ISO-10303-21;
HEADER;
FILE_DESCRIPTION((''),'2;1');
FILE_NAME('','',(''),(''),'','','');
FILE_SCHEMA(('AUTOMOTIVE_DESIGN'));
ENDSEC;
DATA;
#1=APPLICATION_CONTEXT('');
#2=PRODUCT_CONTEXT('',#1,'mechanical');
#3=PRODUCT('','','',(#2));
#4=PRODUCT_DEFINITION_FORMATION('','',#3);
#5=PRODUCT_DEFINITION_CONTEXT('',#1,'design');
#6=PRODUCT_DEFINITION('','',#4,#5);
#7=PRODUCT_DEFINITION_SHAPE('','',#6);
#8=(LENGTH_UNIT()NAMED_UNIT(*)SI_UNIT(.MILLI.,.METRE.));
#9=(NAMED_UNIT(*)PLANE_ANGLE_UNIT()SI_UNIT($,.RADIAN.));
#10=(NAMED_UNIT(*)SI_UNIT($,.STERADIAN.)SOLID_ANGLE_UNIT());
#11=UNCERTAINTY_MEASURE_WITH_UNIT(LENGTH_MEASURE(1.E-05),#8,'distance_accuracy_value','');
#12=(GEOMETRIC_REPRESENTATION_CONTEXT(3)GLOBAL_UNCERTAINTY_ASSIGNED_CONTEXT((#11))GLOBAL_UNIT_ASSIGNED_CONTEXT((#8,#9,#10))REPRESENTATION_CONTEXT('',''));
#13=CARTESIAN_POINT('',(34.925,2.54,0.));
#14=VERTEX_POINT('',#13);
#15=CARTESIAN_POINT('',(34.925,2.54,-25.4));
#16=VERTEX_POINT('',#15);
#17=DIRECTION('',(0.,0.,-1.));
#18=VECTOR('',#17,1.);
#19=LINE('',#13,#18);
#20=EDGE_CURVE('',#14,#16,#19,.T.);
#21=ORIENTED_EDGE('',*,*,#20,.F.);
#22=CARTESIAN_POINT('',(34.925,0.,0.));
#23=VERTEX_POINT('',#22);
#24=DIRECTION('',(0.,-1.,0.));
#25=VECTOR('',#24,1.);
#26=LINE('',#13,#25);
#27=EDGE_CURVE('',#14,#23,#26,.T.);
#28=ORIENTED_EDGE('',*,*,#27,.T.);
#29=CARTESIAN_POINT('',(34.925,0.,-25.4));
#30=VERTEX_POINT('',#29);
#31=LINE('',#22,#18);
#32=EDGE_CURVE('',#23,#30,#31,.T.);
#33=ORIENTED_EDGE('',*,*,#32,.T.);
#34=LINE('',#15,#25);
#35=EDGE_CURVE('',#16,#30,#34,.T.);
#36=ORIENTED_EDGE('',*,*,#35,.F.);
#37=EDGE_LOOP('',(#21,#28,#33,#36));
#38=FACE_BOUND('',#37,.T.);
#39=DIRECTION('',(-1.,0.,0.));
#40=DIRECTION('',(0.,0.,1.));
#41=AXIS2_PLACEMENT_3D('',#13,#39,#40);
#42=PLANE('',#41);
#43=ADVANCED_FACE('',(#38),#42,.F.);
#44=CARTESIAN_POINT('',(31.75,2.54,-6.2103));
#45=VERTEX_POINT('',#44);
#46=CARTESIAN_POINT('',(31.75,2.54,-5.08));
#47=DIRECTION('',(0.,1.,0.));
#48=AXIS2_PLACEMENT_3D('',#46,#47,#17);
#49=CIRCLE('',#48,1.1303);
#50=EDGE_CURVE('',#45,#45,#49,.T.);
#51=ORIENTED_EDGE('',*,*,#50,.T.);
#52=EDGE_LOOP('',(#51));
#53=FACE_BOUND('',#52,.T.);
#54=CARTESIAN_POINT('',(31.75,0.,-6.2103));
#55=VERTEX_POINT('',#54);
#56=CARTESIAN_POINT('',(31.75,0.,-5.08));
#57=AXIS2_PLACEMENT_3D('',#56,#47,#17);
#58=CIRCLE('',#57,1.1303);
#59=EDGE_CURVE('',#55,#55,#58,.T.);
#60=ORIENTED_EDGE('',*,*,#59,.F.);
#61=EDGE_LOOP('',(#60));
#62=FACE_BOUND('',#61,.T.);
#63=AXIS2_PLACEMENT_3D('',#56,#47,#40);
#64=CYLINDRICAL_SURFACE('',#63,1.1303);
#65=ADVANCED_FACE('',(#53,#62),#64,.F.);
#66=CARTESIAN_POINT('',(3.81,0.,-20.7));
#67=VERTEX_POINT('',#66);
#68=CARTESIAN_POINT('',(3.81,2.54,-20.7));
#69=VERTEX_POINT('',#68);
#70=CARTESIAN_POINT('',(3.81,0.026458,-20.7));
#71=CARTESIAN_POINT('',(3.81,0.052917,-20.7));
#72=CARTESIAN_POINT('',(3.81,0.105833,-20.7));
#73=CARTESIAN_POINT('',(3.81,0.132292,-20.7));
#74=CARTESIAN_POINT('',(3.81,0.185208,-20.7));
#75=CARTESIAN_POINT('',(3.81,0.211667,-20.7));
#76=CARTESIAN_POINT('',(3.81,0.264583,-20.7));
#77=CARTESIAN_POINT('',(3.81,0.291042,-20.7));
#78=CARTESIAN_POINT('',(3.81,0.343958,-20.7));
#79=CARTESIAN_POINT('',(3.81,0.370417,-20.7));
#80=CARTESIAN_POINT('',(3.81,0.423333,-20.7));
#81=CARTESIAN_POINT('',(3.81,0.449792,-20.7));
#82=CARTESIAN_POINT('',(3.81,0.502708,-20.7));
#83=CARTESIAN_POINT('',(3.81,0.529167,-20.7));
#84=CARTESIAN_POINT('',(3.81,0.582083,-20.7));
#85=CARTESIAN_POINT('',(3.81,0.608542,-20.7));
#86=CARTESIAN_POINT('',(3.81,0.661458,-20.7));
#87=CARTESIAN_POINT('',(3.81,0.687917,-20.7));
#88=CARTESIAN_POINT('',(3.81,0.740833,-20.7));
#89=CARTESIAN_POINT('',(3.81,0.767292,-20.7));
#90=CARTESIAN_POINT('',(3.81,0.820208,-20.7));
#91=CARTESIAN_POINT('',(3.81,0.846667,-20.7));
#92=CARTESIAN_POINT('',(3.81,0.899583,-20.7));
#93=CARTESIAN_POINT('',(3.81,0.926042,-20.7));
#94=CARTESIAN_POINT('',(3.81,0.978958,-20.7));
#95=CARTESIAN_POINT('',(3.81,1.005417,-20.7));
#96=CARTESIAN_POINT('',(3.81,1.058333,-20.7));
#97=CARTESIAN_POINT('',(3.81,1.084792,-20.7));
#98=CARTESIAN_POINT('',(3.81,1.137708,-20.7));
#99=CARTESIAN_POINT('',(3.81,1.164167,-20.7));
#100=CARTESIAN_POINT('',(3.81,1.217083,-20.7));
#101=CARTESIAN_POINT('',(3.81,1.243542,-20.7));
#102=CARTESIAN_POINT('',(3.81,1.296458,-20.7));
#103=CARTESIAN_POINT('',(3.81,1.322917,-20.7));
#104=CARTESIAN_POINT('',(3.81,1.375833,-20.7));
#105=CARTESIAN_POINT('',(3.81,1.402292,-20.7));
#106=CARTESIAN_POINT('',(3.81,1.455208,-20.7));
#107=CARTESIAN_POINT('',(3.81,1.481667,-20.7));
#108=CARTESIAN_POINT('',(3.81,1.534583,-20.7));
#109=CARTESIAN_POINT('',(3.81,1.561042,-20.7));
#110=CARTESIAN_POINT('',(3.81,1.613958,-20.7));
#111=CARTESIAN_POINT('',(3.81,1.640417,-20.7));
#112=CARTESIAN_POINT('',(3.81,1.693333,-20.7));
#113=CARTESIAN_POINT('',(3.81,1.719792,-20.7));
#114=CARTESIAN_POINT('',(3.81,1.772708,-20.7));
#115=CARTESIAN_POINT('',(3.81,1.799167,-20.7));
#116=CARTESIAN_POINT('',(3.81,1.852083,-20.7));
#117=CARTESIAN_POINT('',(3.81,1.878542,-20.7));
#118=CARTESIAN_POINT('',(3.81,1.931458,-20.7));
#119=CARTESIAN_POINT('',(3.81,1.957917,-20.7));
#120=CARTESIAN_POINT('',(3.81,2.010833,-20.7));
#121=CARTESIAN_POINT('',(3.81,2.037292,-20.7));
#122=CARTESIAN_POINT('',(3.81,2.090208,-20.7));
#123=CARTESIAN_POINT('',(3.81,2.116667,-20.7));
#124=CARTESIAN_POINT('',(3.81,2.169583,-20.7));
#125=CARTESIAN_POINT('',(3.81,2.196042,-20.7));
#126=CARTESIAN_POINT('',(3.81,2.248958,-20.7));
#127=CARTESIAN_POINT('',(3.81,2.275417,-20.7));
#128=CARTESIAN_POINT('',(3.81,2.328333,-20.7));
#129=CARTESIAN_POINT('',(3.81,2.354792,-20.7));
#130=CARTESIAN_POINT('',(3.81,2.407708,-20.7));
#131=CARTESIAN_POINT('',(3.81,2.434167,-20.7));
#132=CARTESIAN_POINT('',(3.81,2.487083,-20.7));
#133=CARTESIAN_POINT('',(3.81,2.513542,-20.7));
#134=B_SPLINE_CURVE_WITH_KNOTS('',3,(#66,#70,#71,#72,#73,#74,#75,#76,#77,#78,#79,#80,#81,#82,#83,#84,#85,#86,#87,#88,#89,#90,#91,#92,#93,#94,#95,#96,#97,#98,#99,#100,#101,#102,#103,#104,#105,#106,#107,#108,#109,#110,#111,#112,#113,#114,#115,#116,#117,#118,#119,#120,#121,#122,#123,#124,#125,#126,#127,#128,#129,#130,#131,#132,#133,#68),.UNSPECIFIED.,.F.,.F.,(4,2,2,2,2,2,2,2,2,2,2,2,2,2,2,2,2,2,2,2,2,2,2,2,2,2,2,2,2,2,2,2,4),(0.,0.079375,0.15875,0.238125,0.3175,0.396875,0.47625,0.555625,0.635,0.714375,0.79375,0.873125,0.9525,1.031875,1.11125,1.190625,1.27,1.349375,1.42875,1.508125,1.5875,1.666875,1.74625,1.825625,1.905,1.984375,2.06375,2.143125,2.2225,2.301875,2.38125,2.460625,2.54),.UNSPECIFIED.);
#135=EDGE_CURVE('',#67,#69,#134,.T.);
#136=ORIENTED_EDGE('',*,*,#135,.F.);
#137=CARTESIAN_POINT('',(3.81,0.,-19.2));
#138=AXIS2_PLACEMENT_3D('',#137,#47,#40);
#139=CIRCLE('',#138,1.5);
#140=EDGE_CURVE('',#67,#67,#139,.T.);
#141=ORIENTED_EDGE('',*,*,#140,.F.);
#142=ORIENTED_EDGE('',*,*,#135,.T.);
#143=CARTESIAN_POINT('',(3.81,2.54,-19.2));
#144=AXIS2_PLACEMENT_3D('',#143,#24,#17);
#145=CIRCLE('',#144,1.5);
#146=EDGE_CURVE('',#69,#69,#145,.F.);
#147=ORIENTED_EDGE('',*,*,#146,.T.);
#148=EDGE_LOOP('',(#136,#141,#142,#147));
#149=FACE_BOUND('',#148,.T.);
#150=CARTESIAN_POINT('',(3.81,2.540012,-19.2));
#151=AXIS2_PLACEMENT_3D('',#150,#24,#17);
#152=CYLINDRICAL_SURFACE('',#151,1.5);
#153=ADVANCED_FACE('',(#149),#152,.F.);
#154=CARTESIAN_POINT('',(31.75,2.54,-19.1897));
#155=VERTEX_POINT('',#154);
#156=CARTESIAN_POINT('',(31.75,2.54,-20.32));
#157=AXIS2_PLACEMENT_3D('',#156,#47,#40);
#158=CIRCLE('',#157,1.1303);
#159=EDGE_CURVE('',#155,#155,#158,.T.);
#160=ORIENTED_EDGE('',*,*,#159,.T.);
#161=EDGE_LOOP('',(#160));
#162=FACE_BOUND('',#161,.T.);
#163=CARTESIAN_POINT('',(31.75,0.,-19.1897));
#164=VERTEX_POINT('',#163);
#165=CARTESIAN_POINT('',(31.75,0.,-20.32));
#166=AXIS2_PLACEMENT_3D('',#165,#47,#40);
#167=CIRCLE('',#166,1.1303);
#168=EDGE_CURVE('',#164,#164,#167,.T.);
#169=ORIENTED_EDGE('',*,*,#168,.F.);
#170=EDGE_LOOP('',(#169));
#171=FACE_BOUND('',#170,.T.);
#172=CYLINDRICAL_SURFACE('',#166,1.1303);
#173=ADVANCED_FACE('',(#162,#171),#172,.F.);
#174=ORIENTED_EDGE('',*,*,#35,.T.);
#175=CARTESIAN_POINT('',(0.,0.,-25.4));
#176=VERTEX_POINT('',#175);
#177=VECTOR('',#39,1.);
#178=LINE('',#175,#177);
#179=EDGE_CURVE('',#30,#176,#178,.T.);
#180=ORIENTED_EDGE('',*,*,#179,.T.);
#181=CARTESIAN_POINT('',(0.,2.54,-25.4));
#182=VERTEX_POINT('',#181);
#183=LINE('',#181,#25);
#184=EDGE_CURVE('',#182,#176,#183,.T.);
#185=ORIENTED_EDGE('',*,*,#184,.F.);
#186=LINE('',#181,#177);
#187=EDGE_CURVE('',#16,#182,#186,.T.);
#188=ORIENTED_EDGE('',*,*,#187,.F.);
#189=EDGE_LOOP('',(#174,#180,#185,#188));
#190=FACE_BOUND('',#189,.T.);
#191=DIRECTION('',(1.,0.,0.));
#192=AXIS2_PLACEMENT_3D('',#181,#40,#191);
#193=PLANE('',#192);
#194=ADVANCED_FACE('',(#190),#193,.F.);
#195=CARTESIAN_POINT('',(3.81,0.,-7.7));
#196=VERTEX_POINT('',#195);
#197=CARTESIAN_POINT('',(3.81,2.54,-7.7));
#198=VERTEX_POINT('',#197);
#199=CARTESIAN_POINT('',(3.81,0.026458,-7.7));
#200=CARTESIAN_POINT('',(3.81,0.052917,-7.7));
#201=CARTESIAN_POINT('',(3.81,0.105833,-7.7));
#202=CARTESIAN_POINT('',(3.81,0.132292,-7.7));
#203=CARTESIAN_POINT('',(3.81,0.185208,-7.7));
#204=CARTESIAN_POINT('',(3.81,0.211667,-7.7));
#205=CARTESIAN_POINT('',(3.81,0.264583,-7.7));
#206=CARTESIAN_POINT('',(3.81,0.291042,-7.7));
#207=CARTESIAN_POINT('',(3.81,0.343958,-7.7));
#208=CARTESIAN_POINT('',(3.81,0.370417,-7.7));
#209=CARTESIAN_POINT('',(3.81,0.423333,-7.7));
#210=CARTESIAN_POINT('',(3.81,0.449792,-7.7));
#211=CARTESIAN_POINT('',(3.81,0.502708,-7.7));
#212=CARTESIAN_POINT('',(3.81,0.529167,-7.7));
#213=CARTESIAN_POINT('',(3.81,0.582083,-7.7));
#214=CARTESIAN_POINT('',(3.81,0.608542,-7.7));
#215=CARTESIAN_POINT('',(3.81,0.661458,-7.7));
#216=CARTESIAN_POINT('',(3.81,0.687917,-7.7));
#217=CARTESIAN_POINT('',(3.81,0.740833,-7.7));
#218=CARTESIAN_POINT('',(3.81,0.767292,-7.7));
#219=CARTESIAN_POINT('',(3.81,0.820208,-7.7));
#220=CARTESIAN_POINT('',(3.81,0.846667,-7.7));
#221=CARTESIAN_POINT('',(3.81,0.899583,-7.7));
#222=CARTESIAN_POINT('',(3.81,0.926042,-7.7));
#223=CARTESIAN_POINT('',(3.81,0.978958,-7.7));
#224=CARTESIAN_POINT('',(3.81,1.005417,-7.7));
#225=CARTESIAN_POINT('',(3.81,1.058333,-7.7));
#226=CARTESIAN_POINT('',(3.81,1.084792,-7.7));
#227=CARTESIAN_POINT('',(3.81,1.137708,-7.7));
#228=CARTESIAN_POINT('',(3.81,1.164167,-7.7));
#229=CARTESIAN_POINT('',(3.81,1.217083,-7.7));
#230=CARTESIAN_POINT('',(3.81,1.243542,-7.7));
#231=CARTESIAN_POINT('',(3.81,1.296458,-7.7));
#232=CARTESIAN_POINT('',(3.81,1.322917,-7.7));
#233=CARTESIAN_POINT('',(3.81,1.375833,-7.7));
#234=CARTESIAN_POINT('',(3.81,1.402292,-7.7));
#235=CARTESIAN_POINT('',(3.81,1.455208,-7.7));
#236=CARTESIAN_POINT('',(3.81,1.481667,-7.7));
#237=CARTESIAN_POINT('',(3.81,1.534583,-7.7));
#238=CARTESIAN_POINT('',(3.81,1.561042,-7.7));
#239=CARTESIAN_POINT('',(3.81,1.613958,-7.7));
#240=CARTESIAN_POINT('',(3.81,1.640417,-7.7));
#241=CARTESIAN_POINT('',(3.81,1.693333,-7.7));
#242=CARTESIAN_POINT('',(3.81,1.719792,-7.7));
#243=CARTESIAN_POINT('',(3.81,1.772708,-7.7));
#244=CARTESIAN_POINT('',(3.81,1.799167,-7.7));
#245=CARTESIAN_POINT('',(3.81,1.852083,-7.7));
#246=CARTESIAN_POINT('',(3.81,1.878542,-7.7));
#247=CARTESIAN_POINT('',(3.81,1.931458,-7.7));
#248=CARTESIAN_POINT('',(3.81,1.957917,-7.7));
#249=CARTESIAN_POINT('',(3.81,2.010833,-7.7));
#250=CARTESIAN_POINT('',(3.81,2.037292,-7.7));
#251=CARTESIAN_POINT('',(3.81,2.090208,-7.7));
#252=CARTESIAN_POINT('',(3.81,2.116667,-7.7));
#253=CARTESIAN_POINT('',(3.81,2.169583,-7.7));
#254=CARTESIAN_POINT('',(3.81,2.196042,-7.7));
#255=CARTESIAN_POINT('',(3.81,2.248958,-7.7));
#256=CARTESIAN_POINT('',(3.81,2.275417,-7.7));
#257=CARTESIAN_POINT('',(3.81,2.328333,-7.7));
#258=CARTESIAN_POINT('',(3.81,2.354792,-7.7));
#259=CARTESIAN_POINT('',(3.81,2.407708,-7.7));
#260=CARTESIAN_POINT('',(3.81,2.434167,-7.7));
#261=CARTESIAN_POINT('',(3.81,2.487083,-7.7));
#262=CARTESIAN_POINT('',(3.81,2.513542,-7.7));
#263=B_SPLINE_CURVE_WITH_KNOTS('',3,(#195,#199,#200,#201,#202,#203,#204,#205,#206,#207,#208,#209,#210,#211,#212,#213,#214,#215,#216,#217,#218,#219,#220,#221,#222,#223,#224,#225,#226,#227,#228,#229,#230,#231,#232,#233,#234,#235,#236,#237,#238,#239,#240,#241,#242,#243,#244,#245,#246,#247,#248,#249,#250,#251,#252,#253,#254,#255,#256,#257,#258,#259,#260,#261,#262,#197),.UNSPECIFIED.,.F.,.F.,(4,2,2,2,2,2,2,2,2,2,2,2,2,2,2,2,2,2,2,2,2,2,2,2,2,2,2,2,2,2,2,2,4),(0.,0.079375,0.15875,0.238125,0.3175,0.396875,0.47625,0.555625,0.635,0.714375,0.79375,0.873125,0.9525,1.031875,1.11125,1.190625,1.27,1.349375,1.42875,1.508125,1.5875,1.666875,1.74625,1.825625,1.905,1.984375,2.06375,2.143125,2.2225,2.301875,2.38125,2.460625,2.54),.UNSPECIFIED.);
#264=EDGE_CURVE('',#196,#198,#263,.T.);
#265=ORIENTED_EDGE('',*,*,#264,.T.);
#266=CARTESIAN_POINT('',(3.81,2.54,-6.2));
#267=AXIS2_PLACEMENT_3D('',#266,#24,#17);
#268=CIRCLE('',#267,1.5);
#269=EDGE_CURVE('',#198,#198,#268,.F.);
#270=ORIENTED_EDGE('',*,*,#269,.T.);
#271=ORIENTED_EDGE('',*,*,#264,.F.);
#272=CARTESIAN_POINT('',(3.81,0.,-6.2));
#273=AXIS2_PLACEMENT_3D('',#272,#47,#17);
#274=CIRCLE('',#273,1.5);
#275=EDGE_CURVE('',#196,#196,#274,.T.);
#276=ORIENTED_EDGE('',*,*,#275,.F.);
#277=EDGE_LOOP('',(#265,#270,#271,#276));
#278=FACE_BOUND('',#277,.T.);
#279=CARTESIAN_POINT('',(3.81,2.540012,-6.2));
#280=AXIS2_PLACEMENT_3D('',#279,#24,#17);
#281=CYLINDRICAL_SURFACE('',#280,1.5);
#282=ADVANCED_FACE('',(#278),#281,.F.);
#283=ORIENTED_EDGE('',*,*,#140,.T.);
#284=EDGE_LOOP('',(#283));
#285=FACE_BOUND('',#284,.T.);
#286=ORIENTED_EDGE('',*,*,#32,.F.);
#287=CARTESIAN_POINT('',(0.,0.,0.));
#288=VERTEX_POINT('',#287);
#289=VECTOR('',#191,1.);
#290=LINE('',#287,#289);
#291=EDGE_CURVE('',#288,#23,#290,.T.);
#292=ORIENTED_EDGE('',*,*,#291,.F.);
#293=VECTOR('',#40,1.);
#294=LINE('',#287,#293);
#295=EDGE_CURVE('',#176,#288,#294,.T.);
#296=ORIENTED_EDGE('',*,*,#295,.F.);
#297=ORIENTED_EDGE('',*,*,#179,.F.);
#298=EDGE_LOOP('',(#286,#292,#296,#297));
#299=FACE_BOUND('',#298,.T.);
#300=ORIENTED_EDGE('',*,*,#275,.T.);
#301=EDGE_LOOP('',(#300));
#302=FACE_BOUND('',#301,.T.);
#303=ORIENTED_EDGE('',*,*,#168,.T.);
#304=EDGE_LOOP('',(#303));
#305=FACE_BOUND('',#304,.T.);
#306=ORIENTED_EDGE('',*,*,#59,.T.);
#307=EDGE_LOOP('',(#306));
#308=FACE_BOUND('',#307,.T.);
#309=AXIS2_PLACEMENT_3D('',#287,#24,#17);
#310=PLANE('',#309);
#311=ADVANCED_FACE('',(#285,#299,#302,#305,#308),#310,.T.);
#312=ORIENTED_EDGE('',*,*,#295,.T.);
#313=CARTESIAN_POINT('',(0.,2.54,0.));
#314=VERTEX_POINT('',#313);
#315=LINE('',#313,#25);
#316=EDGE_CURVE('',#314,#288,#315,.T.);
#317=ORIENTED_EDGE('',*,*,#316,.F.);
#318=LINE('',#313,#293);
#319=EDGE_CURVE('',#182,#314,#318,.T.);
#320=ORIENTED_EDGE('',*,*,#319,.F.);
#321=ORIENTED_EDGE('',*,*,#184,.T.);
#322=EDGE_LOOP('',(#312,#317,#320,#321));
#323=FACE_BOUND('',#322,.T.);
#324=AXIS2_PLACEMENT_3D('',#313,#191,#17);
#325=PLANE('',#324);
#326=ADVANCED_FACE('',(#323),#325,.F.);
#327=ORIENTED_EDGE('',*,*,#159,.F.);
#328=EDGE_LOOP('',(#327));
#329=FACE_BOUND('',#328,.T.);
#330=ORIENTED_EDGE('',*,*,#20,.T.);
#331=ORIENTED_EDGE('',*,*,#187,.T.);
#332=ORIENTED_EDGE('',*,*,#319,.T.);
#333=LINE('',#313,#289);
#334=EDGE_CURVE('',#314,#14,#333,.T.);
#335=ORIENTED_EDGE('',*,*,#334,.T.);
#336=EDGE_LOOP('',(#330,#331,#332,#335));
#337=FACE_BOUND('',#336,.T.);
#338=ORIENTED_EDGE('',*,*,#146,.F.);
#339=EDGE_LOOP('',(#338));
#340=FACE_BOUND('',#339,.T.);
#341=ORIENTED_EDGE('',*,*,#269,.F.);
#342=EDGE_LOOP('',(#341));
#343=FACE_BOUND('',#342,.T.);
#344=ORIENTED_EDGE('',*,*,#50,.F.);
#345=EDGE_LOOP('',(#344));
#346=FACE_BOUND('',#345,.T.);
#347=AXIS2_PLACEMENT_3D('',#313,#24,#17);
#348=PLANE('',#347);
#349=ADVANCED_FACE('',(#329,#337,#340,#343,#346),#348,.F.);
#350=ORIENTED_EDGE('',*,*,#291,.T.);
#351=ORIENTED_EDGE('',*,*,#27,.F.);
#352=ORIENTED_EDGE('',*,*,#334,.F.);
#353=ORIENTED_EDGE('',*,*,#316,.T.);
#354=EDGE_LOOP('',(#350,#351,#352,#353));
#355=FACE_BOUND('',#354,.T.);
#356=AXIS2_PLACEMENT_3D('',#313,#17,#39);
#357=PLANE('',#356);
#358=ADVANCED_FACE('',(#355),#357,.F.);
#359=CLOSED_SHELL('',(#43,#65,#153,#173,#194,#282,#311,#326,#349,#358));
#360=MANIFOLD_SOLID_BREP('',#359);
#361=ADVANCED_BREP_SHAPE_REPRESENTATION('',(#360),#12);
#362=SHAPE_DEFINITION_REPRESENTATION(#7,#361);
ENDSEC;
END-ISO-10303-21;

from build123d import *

# Parameters (mm, degrees)
SKETCH1_W               = 34.925
SKETCH1_H               = 25.4
BOSS_EXTRUDE1_DEPTH     = 2.54
CUT_EXTRUDE3_DEPTH      = 44.259302179
CUT_EXTRUDE3_DEPTH_BACK = 44.259302179
SKETCH2_R               = 1.5
SKETCH5_R               = 1.1303
CUT_EXTRUDE4_DEPTH      = 44.259302179


with BuildPart() as part:
    # Sketch1 → Boss-Extrude1 (new body)
    with BuildSketch(Plane(origin=(0, 0, 0), x_dir=(1, 0, 0), z_dir=(0, 1, 0))):
        with Locations((17.4625, 12.7)):
            Rectangle(SKETCH1_W, SKETCH1_H)
    extrude(amount=BOSS_EXTRUDE1_DEPTH)

    # Sketch2 → Cut-Extrude3 (cut, two sides: drawn at the far end of the back side and taken through both)
    with BuildSketch(Plane(origin=(0, 2.54, 0), x_dir=(1, 0, 0), z_dir=(0, 1, 0)).offset(-CUT_EXTRUDE3_DEPTH_BACK)):
        with Locations(Location((3.81, 19.2, 0), (0, 0, 90))):
            Circle(SKETCH2_R)
        with Locations(Location((3.81, 6.2, 0), (0, 0, 90))):
            Circle(SKETCH2_R)
    extrude(amount=CUT_EXTRUDE3_DEPTH + CUT_EXTRUDE3_DEPTH_BACK, mode=Mode.SUBTRACT)

    # Sketch5 → Cut-Extrude4 (cut, through all)
    with BuildSketch(Plane(origin=(0, 2.54, 0), x_dir=(1, 0, 0), z_dir=(0, 1, 0))):
        with Locations(Location((31.75, 20.32, 0), (0, 0, 270))):
            Circle(SKETCH5_R)
        with Locations(Location((31.75, 5.08, 0), (0, 0, 90))):
            Circle(SKETCH5_R)
    extrude(amount=-CUT_EXTRUDE4_DEPTH, mode=Mode.SUBTRACT)


solid = part.part
